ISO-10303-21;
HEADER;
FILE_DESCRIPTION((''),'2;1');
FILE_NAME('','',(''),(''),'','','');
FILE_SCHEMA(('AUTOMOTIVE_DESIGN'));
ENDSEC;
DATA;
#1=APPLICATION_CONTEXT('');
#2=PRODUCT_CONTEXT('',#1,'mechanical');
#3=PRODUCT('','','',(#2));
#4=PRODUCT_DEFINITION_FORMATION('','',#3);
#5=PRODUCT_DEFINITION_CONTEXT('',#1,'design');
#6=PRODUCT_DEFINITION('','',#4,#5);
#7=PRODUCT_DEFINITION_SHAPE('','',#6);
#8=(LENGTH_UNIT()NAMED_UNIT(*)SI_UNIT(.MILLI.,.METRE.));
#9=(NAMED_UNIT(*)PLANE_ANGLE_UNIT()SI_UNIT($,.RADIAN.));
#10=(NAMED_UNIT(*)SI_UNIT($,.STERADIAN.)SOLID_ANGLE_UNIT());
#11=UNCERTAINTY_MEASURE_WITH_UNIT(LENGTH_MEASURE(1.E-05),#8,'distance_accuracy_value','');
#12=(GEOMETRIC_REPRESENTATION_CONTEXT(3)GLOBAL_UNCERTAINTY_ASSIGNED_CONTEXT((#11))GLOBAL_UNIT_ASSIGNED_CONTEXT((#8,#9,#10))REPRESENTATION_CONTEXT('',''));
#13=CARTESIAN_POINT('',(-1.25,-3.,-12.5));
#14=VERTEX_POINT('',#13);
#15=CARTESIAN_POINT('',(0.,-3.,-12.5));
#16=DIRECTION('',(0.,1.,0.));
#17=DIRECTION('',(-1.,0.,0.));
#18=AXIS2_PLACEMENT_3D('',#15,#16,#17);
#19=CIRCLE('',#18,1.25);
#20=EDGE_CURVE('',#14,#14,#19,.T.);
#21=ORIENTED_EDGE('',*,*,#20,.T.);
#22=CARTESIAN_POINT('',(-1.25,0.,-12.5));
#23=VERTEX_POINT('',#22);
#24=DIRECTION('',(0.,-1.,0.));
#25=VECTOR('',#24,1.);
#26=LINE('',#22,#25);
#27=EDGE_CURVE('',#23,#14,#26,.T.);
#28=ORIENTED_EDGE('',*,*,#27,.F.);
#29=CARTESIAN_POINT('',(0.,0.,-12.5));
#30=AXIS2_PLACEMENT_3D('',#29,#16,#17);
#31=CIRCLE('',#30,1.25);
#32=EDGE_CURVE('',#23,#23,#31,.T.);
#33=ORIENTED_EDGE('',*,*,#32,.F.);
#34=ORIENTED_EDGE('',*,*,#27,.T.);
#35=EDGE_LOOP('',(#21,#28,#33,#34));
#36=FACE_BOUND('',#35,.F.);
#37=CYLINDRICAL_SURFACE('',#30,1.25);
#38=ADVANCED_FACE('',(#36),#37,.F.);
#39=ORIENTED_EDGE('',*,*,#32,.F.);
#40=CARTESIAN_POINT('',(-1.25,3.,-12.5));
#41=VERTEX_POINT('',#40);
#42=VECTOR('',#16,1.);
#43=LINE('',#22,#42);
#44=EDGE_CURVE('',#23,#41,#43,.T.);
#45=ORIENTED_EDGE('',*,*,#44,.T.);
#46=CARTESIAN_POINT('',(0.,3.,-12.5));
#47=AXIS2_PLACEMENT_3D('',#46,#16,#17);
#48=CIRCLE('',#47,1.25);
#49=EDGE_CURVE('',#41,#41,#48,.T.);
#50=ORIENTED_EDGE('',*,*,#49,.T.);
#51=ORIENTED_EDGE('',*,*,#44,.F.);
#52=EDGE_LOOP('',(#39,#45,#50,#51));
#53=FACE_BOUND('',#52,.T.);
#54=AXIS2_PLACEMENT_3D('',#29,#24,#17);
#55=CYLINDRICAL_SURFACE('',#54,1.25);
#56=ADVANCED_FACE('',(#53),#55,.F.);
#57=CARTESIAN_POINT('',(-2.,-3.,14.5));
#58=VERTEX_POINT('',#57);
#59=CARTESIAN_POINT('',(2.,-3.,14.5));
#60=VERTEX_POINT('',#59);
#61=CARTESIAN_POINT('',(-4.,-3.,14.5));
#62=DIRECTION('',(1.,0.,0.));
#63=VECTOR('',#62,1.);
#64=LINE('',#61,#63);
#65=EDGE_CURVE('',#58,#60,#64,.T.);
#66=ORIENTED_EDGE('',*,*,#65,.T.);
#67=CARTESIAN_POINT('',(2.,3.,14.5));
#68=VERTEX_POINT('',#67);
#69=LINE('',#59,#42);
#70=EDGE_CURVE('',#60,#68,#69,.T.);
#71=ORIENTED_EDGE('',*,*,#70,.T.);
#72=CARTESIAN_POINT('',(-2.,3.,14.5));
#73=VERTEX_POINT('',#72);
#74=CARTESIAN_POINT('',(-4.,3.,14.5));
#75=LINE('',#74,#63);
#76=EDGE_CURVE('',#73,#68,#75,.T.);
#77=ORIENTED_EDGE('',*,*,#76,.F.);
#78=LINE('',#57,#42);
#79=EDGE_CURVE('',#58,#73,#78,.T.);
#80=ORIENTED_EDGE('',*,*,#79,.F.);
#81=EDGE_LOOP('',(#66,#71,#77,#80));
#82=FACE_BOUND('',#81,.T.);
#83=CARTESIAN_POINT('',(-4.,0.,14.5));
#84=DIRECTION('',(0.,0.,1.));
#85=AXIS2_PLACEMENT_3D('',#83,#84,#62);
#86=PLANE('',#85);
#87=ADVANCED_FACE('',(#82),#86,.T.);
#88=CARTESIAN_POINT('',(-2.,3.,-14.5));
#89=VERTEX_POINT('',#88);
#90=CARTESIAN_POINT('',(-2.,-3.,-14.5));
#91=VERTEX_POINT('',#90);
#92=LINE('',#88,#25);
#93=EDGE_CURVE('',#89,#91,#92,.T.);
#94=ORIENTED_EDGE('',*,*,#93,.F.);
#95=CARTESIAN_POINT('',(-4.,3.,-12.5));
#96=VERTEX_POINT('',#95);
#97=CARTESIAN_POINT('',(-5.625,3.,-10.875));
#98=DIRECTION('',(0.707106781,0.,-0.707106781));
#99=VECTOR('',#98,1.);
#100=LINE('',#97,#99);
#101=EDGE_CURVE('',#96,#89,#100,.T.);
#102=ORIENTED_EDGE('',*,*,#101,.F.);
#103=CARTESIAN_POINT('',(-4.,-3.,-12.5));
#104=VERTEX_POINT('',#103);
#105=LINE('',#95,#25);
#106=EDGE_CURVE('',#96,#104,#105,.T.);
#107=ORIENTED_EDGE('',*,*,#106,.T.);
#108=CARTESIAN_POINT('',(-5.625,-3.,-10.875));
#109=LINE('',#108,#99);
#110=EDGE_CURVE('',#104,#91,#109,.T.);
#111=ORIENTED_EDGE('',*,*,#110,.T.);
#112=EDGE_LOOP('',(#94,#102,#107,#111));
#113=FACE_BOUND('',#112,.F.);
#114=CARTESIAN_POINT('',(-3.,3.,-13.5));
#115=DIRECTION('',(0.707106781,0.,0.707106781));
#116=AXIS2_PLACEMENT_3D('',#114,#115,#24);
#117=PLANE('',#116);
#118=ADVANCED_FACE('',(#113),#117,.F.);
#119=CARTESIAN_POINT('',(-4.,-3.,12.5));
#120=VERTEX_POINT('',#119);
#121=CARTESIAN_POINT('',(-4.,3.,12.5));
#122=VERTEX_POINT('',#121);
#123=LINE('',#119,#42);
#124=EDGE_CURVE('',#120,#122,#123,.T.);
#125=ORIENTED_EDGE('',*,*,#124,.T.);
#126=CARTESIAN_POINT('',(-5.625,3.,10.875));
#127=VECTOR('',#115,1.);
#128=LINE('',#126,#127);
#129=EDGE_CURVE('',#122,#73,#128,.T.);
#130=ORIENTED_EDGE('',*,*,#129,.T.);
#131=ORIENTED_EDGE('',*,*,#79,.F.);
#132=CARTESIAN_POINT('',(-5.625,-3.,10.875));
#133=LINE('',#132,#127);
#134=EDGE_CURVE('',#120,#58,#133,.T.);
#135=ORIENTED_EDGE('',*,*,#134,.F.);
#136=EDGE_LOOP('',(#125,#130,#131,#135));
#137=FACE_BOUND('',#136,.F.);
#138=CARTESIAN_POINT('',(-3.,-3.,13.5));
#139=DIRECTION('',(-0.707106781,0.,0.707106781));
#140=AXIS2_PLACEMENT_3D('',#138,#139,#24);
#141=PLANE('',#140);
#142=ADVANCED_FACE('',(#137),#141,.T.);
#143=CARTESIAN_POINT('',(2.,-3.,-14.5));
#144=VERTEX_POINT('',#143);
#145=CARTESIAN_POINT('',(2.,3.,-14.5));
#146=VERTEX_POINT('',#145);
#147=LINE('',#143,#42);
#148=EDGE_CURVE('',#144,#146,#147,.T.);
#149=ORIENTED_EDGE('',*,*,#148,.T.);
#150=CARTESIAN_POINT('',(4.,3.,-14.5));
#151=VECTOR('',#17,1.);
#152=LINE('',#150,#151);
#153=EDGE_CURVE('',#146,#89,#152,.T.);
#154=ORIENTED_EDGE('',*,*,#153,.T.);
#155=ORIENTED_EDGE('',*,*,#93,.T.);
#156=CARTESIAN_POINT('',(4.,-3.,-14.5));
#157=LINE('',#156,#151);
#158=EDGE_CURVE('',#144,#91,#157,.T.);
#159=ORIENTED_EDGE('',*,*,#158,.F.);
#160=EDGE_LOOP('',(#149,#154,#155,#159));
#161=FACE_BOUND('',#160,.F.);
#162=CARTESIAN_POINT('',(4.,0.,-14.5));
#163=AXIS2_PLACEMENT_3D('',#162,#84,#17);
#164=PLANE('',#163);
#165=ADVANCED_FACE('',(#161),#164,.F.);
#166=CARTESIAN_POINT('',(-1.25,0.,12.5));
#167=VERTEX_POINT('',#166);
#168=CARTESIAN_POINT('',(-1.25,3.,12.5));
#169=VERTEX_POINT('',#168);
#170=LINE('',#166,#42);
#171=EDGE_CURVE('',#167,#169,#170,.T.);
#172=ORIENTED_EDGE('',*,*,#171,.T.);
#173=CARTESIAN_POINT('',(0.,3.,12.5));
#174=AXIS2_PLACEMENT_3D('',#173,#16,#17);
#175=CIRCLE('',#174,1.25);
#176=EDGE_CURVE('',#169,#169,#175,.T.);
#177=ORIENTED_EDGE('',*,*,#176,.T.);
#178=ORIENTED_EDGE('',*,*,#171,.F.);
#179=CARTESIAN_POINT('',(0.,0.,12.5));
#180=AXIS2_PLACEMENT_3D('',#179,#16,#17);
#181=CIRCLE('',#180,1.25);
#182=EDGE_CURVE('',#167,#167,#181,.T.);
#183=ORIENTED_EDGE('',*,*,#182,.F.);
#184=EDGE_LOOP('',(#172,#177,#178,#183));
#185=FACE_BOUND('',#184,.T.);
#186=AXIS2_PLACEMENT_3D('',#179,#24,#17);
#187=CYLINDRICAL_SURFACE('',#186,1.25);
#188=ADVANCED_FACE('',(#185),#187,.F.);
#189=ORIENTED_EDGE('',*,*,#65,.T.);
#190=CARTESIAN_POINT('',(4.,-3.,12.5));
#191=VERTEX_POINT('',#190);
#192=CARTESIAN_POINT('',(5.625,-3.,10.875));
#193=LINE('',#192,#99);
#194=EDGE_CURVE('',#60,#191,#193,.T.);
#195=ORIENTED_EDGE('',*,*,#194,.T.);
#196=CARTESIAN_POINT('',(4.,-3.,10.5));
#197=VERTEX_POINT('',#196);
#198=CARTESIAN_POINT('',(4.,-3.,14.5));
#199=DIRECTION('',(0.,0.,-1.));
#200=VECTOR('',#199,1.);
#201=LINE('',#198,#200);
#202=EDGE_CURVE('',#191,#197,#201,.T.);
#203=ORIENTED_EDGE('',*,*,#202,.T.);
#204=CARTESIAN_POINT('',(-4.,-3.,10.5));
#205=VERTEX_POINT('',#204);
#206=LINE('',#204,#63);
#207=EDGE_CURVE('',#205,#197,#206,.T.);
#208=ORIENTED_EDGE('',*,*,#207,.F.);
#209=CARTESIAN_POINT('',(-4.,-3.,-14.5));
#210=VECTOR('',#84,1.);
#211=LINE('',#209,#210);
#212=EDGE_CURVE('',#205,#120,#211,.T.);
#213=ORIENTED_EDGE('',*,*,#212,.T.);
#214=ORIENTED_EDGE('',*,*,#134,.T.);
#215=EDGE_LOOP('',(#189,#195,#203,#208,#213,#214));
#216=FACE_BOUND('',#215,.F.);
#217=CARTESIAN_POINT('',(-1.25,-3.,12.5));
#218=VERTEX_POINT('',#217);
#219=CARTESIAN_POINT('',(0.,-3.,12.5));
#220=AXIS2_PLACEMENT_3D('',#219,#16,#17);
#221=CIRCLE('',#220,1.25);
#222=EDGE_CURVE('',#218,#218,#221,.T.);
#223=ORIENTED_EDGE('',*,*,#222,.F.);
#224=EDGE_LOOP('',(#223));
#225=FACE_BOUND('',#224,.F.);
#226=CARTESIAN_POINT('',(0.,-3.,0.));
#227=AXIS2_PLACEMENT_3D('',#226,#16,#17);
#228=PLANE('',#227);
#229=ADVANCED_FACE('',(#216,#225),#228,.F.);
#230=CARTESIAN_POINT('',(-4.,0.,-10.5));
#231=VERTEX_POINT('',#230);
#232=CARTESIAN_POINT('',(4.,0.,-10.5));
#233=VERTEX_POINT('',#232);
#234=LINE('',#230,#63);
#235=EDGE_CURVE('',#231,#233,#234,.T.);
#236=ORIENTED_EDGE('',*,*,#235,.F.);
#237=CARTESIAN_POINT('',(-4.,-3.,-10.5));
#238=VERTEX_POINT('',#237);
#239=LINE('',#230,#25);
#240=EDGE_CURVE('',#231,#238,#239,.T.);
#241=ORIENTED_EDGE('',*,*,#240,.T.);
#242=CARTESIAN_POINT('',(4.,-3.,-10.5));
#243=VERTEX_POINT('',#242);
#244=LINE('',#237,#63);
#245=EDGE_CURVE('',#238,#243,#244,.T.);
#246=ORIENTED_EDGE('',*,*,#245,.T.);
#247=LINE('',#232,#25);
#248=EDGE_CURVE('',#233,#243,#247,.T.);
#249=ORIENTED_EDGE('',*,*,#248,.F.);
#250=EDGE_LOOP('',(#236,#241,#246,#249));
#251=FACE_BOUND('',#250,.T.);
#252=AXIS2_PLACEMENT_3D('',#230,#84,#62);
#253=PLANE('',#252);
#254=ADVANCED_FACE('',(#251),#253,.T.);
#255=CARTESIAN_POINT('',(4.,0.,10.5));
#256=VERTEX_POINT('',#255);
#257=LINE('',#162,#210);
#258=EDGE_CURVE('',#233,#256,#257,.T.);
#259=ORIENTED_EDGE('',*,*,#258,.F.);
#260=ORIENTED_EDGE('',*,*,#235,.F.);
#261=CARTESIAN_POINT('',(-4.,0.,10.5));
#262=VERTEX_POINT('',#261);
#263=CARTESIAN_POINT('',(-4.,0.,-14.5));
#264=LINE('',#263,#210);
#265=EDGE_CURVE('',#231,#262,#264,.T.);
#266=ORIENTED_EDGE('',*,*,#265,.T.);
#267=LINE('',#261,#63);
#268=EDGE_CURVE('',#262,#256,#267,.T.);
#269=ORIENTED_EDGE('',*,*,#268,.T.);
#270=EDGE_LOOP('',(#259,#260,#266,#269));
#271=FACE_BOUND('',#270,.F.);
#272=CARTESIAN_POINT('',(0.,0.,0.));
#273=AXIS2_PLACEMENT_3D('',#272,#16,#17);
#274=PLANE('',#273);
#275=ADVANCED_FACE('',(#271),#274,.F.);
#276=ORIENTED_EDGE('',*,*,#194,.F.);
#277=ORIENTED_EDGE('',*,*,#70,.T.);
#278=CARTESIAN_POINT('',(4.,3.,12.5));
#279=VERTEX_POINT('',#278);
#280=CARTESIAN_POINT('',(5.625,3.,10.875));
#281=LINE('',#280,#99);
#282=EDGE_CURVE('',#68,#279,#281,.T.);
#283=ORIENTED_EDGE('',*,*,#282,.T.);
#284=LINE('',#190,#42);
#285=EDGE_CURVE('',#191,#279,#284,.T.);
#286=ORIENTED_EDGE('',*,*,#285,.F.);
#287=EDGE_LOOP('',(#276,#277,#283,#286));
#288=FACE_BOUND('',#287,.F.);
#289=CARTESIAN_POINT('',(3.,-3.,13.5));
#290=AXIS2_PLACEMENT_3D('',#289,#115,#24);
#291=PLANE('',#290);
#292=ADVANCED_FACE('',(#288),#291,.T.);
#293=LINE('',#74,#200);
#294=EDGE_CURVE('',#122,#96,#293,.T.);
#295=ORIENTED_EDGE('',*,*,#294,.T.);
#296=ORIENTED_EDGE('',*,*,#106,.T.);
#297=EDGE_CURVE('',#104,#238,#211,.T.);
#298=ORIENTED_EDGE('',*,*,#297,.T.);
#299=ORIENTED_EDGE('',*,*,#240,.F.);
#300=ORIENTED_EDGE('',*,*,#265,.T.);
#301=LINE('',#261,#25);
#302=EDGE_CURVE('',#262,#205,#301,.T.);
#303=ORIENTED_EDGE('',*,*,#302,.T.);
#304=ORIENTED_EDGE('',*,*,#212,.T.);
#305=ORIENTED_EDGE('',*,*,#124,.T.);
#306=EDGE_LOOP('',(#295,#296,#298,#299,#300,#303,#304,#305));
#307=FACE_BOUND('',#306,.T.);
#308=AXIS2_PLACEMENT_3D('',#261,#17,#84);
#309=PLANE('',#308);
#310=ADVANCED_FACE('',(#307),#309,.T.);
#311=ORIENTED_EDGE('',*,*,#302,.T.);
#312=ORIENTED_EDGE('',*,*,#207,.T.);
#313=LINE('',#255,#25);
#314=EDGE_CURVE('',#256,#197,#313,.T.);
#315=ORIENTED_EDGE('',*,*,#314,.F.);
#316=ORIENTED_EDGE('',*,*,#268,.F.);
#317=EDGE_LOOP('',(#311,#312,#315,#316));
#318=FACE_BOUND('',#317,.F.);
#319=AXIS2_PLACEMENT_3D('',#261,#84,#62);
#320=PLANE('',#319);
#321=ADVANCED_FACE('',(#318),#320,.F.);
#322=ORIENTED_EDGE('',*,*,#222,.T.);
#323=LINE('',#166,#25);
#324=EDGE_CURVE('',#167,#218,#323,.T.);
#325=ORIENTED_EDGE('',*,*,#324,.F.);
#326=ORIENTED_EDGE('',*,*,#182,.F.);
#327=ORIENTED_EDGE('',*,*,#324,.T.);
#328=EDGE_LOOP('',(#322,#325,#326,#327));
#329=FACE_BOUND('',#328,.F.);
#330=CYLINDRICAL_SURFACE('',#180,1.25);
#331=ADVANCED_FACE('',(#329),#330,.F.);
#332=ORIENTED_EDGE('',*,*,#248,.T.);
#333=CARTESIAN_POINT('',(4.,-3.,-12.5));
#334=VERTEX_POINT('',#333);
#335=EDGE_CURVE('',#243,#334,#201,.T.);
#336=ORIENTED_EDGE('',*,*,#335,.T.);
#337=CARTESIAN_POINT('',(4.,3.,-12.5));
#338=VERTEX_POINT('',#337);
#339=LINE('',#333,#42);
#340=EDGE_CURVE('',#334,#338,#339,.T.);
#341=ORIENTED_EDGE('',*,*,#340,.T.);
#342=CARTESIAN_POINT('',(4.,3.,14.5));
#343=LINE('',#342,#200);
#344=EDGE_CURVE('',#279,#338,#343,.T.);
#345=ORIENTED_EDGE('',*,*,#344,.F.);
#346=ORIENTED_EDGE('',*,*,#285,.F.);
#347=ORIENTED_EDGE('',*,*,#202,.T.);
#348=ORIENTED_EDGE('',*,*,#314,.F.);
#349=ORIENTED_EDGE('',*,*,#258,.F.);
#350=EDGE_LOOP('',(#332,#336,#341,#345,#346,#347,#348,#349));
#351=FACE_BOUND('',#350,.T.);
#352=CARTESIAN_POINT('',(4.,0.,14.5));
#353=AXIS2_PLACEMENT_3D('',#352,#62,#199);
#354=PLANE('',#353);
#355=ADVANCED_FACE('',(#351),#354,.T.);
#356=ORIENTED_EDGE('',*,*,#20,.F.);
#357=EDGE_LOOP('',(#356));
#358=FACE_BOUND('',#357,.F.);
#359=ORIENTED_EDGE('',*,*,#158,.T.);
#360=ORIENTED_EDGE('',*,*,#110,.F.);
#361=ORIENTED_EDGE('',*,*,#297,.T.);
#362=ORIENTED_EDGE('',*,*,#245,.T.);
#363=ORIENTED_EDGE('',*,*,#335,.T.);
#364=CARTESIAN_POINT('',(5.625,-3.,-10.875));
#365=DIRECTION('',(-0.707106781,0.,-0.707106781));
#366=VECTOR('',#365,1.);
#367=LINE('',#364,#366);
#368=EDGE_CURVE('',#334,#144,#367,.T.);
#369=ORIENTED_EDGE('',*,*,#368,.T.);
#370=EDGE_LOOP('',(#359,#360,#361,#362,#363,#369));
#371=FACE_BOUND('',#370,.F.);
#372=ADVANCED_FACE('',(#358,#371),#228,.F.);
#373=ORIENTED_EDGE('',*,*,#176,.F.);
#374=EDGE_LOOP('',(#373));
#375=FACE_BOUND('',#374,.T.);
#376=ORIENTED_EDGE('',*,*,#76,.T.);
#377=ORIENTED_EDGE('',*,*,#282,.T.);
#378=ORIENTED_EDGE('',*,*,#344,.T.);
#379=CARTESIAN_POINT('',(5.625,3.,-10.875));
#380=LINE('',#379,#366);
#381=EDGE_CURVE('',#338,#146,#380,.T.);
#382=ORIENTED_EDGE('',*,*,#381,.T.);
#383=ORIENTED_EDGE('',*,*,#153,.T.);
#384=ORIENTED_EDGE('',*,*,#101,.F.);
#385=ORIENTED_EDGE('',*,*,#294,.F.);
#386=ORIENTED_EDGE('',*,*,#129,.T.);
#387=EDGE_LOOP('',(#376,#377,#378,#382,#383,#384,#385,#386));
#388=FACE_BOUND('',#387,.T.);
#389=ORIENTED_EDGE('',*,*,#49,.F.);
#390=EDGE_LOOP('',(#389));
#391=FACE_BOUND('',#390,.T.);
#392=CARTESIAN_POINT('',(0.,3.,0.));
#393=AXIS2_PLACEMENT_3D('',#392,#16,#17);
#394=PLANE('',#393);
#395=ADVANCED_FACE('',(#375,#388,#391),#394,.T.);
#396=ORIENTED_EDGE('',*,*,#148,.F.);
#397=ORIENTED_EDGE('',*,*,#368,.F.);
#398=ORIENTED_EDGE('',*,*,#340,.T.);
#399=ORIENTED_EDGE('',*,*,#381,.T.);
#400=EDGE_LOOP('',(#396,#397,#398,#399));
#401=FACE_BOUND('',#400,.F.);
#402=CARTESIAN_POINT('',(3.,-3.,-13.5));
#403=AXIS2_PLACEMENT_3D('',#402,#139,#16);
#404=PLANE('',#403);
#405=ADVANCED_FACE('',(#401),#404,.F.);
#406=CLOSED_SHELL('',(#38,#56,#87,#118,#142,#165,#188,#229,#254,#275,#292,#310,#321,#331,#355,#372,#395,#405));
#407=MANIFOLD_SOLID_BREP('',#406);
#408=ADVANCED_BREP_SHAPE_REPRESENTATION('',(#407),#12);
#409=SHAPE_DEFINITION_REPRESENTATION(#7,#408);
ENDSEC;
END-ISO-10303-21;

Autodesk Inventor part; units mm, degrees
ref_plane "YZ Plane" through (0, 0, 0) normal (1, 0, 0) x (0, 1, 0)
ref_plane "XZ Plane" through (0, 0, 0) normal (0, 1, 0) x (-1, 0, 0)
ref_plane "XY Plane" through (0, 0, 0) normal (0, 0, 1) x (1, 0, 0)
sketch "스케치1" plane through (0, 0, 0) normal (0, 1, 0) x (-1, 0, 0)
  line L0 (4, 14.5) -> (-4, 14.5)
  line L1 (-4, 14.5) -> (-4, -14.5)
  line L2 (-4, -14.5) -> (4, -14.5)
  line L3 (4, -14.5) -> (4, 14.5)
  line L4 (4, 14.5) -> (-4, -14.5) construction
  line L5 (-4, 14.5) -> (4, -14.5) construction
  line L6 (4, 10.5) -> (-4, 10.5)
  line L7 (0, 0) -> (3.2228, 0)
  line L8 (4, -10.5) -> (-4, -10.5)
  circle A0 centre (0, 12.5) radius 1.25
  circle A1 centre (0, -12.5) radius 1.25
  point P0 (4, -10.5)
  point P1 (-4, -10.5)
  dimension "d0" = 8
  dimension "d1" = 29
  dimension "d2" = 4
  dimension "d3" = 2.5
  dimension "d4" = 2
extrude "돌출1" add sketch "스케치1" against normal blind 3 contours L3 L6 L1 L0 | L3 L2 L1 L8
extrude "돌출2" add sketch "스케치1" along normal blind 3
chamfer "모따기1" distance 2 angle 45 4 edges at (4, 0, -14.5) (4, 0, 14.5) (-4, 0, 14.5) (-4, 0, -14.5)
properties part number "스텝모터 드라이버 홀더"
